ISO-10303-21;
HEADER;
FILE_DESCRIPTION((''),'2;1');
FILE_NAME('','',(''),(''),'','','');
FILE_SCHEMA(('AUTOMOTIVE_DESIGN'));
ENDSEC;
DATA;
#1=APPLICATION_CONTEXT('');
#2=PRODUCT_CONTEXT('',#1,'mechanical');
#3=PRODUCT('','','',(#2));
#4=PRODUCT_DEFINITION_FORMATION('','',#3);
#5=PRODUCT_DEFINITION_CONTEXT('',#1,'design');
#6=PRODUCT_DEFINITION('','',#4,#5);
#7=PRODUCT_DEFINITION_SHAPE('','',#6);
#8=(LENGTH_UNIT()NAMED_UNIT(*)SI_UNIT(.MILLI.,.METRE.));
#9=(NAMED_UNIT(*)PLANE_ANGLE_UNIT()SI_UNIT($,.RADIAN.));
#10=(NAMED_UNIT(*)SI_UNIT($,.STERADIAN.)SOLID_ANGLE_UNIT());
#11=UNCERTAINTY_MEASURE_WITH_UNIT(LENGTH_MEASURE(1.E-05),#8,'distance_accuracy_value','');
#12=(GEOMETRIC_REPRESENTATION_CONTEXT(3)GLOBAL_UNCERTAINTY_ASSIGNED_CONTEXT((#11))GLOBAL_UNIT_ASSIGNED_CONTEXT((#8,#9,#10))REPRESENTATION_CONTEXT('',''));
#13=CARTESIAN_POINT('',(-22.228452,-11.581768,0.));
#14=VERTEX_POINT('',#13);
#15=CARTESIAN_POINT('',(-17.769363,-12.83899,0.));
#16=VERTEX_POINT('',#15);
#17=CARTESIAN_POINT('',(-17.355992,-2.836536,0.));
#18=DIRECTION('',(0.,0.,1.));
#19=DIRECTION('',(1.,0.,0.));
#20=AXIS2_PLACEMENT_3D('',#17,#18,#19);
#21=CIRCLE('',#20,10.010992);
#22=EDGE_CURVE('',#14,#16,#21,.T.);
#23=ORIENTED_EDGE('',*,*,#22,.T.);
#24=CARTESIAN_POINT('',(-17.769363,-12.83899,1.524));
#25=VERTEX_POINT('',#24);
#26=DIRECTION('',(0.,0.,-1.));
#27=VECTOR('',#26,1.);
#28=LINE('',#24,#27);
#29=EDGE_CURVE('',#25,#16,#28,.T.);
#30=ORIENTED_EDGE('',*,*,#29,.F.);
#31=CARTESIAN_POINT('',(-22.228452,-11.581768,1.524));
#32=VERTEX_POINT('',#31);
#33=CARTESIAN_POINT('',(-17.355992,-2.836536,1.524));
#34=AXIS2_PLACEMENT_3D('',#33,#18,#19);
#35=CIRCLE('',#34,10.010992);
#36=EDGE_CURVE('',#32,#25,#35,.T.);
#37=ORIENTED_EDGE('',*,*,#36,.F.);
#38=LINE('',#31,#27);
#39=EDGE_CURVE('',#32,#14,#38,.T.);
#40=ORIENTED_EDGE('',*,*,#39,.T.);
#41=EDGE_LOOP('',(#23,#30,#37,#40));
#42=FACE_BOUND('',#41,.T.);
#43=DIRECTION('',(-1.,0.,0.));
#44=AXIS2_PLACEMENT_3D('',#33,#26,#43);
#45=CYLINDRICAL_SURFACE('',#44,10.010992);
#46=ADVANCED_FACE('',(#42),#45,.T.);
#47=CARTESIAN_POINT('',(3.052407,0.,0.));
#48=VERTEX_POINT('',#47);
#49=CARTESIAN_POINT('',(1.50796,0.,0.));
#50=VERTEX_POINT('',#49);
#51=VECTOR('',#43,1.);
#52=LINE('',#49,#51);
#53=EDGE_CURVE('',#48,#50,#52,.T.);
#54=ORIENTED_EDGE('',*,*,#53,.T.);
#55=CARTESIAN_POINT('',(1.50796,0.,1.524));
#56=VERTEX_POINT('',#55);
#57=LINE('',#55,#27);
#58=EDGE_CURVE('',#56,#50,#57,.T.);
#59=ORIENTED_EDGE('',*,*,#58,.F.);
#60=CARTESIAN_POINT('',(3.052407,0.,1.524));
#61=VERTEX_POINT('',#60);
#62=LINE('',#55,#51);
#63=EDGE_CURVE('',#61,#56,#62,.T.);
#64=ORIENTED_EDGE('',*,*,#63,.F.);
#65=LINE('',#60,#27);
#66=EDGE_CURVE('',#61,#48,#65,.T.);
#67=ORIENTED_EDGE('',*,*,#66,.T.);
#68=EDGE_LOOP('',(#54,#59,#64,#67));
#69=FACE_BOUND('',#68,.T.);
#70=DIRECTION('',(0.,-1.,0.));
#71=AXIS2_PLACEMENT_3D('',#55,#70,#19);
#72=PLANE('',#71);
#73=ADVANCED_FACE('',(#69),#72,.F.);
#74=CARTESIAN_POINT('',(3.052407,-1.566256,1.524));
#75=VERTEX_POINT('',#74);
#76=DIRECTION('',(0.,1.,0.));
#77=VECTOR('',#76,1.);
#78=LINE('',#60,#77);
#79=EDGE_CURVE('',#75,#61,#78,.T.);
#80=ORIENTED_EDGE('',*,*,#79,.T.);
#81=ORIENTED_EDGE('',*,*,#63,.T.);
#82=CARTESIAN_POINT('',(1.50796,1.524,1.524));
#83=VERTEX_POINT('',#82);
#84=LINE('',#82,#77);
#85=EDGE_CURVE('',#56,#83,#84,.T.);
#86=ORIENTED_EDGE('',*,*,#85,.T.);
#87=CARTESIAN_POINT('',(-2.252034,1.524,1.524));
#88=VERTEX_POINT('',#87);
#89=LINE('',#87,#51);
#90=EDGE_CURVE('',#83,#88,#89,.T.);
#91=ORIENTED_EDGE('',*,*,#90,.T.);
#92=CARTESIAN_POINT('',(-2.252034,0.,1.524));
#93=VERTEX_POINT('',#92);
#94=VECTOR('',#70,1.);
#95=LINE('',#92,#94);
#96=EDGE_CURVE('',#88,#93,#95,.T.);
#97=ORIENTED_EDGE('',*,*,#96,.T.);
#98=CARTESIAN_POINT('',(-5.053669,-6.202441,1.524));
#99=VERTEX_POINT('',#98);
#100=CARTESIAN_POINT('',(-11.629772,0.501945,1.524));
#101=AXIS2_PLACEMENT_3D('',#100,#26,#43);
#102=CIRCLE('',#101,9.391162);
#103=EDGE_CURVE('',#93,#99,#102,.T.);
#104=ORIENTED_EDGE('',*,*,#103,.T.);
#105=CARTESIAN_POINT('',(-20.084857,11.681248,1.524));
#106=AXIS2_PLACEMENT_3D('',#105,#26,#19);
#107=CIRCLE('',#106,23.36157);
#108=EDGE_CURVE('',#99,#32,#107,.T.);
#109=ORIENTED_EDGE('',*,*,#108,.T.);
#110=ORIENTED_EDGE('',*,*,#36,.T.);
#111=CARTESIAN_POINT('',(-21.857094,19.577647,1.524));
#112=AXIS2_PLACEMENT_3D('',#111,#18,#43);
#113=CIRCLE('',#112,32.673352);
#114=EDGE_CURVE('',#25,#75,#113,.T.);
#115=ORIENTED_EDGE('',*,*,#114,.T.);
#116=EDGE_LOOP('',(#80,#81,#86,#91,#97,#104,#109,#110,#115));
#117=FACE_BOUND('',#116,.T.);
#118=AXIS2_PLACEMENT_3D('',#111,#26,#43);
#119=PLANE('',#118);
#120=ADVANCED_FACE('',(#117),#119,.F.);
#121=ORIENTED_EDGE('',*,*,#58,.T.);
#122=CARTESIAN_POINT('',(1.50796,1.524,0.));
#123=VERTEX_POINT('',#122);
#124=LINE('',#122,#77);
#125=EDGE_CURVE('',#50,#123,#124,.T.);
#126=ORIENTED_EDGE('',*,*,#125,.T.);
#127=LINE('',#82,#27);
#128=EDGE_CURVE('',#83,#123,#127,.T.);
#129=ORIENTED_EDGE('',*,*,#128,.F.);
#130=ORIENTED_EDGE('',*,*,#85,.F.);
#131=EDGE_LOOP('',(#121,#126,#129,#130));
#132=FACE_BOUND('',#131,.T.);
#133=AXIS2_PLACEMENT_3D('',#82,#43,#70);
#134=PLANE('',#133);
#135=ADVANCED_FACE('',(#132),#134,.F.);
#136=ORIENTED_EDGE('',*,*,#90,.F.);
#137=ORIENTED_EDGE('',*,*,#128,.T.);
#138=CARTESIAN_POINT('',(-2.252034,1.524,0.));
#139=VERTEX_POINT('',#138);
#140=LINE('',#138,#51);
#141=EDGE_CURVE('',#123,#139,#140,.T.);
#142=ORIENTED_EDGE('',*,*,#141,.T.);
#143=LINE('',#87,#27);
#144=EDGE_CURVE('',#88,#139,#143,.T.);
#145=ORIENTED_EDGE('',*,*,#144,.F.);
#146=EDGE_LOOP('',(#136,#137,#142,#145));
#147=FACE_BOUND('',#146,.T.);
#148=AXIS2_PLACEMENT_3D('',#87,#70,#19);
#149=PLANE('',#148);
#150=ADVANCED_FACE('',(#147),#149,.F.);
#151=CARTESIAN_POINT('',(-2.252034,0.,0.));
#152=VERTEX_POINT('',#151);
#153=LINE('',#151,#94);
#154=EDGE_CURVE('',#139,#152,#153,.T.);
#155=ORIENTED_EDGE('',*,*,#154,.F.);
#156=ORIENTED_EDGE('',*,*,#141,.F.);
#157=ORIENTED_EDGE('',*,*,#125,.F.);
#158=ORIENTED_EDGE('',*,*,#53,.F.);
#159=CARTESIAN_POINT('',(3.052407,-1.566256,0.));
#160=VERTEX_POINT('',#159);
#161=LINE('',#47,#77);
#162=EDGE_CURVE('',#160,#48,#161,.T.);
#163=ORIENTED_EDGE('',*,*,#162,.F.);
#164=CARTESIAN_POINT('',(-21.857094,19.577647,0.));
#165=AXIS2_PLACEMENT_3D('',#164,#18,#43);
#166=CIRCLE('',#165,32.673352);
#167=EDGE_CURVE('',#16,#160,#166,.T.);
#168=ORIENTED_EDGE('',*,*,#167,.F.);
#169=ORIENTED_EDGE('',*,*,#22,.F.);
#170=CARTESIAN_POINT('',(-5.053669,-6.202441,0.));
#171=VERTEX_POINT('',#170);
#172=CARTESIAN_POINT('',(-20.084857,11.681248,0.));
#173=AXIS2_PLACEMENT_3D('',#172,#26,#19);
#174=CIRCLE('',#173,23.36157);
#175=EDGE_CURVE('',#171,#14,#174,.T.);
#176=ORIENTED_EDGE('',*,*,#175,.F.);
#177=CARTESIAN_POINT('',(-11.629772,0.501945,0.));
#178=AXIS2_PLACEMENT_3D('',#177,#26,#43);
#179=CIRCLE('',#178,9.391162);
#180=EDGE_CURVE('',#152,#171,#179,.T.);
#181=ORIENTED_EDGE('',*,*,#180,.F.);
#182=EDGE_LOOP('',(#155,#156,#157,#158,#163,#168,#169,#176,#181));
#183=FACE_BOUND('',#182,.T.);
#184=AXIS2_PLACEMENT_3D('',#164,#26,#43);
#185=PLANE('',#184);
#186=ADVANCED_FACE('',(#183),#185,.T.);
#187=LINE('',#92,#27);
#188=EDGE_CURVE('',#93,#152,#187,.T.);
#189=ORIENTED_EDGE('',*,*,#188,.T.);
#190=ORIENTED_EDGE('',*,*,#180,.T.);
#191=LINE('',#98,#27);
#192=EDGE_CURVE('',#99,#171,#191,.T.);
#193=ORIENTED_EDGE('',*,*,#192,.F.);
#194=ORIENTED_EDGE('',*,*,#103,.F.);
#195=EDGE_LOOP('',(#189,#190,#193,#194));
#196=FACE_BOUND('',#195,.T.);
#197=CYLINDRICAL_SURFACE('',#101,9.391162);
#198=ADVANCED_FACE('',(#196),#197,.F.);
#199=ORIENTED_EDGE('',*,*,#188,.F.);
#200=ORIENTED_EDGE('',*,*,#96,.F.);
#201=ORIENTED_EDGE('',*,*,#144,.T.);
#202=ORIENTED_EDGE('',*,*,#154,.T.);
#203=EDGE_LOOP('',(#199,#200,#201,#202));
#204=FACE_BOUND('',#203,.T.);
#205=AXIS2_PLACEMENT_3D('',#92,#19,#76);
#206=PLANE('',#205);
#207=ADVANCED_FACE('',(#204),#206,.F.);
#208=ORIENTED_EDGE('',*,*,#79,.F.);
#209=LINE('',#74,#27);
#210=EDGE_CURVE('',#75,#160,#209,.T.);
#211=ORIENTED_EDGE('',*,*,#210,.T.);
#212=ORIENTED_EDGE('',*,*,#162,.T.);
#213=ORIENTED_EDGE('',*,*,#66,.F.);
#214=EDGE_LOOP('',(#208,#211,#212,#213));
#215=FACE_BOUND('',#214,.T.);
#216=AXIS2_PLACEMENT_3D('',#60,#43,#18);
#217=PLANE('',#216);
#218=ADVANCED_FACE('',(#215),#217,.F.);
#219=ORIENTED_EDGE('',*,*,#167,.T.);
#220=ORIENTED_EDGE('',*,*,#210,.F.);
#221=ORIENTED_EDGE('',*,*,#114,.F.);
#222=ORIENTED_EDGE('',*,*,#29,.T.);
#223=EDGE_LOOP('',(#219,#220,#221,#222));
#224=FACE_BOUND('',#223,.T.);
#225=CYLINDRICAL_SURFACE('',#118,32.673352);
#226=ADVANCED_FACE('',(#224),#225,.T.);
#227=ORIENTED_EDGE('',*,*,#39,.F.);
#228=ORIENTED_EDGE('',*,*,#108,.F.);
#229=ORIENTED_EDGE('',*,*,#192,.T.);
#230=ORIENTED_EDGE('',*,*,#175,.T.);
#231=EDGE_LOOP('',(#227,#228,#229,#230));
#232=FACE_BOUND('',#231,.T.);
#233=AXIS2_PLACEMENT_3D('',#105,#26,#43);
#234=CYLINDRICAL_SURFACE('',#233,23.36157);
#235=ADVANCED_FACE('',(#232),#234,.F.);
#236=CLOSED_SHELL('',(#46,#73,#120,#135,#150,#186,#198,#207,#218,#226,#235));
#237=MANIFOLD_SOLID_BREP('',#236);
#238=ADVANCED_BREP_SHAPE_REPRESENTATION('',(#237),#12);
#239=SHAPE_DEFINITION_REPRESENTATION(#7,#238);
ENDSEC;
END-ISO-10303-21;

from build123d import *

# Parameters (mm, degrees)
BOSS_EXTRUDE1_DEPTH = 1.524


with BuildPart() as part:
    # Sketch1 → Boss-Extrude1 (new body)
    with BuildSketch(Plane.XY):
        with BuildLine():
            Line((1.507959842, 1.524), (1.507959842, 0))
            Line((1.507959842, 0), (3.052407177, 0))
            Line((3.052407177, 0), (3.052407177, -1.566256329))
            ThreePointArc((3.052407177, -1.566256329), (-6.301435783, -9.155076444), (-17.769362765, -12.838990069))
            ThreePointArc((-17.769362765, -12.838990069), (-20.072635935, -12.471877617), (-22.228452392, -11.581768494))
            ThreePointArc((-22.228452392, -11.581768494), (-13.1022498, -10.612386305), (-5.053668942, -6.202440528))
            ThreePointArc((-5.053668942, -6.202440528), (-3.071218913, -3.363942956), (-2.252033724, 0))
            Line((-2.252033724, 0), (-2.252033724, 1.524))
            Line((-2.252033724, 1.524), (1.507959842, 1.524))
        make_face()
    extrude(amount=BOSS_EXTRUDE1_DEPTH)


solid = part.part
